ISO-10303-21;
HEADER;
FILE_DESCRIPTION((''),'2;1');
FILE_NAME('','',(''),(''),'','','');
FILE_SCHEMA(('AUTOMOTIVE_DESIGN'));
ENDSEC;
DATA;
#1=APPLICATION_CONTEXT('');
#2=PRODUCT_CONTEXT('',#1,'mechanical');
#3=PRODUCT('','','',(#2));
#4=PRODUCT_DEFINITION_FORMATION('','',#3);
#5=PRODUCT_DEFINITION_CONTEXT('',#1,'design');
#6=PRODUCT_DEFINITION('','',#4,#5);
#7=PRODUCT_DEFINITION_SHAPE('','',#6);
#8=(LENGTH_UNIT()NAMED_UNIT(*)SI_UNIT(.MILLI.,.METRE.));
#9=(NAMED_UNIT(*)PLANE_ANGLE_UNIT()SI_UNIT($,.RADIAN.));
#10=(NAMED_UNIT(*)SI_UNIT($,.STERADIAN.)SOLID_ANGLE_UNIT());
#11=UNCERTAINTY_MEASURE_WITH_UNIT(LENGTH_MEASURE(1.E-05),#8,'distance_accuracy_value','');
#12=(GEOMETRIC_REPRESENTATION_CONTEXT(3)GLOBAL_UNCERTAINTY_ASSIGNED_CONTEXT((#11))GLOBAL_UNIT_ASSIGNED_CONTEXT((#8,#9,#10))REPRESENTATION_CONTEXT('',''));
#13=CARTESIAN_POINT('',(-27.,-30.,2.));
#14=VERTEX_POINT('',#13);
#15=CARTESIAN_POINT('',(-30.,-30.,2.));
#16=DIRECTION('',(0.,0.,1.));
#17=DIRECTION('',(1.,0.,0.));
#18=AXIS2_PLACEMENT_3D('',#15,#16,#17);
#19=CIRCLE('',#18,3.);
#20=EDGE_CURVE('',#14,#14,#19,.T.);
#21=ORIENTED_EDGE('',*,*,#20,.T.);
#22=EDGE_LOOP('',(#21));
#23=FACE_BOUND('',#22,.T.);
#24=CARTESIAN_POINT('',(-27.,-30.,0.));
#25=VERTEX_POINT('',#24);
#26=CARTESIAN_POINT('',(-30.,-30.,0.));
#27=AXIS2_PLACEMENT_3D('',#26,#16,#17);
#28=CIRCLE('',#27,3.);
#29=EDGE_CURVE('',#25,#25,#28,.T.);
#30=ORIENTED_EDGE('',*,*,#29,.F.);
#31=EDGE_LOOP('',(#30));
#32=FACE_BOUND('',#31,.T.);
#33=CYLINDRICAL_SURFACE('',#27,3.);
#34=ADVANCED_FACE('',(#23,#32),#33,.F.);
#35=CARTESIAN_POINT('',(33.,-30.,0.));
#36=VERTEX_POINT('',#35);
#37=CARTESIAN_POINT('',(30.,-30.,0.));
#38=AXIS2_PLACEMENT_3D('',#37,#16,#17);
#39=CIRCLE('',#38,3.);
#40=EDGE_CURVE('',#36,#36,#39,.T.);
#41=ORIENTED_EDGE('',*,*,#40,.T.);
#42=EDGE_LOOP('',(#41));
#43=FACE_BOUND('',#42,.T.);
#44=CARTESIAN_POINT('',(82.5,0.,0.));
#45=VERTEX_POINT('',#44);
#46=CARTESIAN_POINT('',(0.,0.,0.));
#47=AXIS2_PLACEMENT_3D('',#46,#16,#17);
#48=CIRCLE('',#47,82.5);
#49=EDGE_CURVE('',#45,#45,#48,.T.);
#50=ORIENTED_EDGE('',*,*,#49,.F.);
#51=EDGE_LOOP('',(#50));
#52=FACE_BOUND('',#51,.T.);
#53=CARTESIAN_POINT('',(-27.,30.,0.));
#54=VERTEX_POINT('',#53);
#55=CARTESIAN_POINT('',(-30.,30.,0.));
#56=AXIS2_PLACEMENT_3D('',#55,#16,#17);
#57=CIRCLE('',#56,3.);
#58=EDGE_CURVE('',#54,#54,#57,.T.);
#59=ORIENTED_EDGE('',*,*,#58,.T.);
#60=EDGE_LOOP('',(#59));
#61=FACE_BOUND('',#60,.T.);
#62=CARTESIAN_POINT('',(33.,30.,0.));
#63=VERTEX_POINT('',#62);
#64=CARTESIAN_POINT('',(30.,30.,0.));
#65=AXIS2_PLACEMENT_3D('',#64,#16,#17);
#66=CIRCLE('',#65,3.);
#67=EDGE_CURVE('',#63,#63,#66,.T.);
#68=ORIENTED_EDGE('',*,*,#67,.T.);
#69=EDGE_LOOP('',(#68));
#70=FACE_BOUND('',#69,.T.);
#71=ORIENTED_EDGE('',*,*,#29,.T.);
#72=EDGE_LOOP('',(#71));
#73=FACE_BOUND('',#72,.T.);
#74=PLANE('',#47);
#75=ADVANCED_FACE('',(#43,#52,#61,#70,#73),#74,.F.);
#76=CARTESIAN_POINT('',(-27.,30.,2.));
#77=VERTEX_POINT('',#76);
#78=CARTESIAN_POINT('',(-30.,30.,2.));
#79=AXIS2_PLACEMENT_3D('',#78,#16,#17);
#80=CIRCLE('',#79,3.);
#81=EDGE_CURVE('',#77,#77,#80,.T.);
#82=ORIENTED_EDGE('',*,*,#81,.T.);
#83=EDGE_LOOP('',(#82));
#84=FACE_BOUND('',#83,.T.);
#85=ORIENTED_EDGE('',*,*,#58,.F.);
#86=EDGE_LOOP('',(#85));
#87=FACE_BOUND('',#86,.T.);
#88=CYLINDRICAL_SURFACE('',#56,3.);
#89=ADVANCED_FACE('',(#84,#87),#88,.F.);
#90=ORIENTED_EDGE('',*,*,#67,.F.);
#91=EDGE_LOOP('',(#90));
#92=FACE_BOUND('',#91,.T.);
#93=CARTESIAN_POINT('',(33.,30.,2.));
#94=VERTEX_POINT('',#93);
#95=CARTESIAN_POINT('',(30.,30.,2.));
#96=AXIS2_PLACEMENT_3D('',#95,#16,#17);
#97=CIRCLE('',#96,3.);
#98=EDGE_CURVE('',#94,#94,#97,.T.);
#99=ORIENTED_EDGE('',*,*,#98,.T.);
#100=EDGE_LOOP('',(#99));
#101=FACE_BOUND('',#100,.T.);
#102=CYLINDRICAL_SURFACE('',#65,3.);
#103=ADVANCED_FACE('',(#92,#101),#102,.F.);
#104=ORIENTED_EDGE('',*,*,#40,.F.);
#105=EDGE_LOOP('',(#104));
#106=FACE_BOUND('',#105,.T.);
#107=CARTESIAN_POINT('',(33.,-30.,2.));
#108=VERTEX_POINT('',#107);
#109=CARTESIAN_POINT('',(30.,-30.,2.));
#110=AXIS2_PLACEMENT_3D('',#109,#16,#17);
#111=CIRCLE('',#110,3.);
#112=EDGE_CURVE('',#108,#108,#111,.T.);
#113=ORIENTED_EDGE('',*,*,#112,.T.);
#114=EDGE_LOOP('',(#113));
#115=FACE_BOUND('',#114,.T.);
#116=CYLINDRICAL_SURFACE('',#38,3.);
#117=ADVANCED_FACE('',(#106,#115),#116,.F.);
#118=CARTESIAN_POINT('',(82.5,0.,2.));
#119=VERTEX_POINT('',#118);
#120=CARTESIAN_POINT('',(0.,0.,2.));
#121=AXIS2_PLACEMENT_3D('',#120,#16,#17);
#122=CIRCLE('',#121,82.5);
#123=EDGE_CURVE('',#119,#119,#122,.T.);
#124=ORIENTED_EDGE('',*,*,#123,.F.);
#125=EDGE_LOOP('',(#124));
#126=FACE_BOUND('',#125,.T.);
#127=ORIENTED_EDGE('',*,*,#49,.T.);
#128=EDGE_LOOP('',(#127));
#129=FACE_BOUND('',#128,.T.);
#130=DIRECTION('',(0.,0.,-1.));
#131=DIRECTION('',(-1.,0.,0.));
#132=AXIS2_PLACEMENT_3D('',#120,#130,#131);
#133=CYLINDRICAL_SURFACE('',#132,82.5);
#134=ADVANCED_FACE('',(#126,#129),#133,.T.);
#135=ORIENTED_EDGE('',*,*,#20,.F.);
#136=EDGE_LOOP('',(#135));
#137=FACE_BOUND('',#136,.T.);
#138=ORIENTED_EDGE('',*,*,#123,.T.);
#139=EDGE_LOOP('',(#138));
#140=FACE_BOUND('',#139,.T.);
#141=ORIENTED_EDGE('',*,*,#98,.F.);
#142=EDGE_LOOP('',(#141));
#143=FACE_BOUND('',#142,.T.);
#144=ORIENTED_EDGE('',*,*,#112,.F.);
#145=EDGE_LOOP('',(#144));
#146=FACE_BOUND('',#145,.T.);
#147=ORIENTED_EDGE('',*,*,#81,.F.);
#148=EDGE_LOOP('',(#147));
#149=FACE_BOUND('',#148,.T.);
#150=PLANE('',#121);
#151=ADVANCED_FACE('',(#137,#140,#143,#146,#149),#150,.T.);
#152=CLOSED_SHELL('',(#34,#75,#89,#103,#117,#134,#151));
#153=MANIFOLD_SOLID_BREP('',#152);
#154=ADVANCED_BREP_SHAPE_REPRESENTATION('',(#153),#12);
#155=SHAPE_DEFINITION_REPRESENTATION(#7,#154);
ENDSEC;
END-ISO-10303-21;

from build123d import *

# Parameters (mm, degrees)
SKETCH_1_R          = 82.5
EXTRUDE_1_DEPTH     = 2
SKETCH_2_R          = 3
CUT_EXTRUDE_1_DEPTH = 117.689759619


with BuildPart() as part:
    # 草图1 → 凸台-拉伸1 (new body)
    with BuildSketch(Plane.XY):
        Circle(SKETCH_1_R)
    extrude(amount=EXTRUDE_1_DEPTH)

    # 草图2 → 切除-拉伸1 (cut, through all)
    with BuildSketch(Plane.XY.offset(2)):
        with Locations((30, 30)):
            Circle(SKETCH_2_R)
        with Locations((-30, 30)):
            Circle(SKETCH_2_R)
        with Locations((-30, -30)):
            Circle(SKETCH_2_R)
        with Locations((30, -30)):
            Circle(SKETCH_2_R)
    extrude(amount=-CUT_EXTRUDE_1_DEPTH, mode=Mode.SUBTRACT)


solid = part.part
